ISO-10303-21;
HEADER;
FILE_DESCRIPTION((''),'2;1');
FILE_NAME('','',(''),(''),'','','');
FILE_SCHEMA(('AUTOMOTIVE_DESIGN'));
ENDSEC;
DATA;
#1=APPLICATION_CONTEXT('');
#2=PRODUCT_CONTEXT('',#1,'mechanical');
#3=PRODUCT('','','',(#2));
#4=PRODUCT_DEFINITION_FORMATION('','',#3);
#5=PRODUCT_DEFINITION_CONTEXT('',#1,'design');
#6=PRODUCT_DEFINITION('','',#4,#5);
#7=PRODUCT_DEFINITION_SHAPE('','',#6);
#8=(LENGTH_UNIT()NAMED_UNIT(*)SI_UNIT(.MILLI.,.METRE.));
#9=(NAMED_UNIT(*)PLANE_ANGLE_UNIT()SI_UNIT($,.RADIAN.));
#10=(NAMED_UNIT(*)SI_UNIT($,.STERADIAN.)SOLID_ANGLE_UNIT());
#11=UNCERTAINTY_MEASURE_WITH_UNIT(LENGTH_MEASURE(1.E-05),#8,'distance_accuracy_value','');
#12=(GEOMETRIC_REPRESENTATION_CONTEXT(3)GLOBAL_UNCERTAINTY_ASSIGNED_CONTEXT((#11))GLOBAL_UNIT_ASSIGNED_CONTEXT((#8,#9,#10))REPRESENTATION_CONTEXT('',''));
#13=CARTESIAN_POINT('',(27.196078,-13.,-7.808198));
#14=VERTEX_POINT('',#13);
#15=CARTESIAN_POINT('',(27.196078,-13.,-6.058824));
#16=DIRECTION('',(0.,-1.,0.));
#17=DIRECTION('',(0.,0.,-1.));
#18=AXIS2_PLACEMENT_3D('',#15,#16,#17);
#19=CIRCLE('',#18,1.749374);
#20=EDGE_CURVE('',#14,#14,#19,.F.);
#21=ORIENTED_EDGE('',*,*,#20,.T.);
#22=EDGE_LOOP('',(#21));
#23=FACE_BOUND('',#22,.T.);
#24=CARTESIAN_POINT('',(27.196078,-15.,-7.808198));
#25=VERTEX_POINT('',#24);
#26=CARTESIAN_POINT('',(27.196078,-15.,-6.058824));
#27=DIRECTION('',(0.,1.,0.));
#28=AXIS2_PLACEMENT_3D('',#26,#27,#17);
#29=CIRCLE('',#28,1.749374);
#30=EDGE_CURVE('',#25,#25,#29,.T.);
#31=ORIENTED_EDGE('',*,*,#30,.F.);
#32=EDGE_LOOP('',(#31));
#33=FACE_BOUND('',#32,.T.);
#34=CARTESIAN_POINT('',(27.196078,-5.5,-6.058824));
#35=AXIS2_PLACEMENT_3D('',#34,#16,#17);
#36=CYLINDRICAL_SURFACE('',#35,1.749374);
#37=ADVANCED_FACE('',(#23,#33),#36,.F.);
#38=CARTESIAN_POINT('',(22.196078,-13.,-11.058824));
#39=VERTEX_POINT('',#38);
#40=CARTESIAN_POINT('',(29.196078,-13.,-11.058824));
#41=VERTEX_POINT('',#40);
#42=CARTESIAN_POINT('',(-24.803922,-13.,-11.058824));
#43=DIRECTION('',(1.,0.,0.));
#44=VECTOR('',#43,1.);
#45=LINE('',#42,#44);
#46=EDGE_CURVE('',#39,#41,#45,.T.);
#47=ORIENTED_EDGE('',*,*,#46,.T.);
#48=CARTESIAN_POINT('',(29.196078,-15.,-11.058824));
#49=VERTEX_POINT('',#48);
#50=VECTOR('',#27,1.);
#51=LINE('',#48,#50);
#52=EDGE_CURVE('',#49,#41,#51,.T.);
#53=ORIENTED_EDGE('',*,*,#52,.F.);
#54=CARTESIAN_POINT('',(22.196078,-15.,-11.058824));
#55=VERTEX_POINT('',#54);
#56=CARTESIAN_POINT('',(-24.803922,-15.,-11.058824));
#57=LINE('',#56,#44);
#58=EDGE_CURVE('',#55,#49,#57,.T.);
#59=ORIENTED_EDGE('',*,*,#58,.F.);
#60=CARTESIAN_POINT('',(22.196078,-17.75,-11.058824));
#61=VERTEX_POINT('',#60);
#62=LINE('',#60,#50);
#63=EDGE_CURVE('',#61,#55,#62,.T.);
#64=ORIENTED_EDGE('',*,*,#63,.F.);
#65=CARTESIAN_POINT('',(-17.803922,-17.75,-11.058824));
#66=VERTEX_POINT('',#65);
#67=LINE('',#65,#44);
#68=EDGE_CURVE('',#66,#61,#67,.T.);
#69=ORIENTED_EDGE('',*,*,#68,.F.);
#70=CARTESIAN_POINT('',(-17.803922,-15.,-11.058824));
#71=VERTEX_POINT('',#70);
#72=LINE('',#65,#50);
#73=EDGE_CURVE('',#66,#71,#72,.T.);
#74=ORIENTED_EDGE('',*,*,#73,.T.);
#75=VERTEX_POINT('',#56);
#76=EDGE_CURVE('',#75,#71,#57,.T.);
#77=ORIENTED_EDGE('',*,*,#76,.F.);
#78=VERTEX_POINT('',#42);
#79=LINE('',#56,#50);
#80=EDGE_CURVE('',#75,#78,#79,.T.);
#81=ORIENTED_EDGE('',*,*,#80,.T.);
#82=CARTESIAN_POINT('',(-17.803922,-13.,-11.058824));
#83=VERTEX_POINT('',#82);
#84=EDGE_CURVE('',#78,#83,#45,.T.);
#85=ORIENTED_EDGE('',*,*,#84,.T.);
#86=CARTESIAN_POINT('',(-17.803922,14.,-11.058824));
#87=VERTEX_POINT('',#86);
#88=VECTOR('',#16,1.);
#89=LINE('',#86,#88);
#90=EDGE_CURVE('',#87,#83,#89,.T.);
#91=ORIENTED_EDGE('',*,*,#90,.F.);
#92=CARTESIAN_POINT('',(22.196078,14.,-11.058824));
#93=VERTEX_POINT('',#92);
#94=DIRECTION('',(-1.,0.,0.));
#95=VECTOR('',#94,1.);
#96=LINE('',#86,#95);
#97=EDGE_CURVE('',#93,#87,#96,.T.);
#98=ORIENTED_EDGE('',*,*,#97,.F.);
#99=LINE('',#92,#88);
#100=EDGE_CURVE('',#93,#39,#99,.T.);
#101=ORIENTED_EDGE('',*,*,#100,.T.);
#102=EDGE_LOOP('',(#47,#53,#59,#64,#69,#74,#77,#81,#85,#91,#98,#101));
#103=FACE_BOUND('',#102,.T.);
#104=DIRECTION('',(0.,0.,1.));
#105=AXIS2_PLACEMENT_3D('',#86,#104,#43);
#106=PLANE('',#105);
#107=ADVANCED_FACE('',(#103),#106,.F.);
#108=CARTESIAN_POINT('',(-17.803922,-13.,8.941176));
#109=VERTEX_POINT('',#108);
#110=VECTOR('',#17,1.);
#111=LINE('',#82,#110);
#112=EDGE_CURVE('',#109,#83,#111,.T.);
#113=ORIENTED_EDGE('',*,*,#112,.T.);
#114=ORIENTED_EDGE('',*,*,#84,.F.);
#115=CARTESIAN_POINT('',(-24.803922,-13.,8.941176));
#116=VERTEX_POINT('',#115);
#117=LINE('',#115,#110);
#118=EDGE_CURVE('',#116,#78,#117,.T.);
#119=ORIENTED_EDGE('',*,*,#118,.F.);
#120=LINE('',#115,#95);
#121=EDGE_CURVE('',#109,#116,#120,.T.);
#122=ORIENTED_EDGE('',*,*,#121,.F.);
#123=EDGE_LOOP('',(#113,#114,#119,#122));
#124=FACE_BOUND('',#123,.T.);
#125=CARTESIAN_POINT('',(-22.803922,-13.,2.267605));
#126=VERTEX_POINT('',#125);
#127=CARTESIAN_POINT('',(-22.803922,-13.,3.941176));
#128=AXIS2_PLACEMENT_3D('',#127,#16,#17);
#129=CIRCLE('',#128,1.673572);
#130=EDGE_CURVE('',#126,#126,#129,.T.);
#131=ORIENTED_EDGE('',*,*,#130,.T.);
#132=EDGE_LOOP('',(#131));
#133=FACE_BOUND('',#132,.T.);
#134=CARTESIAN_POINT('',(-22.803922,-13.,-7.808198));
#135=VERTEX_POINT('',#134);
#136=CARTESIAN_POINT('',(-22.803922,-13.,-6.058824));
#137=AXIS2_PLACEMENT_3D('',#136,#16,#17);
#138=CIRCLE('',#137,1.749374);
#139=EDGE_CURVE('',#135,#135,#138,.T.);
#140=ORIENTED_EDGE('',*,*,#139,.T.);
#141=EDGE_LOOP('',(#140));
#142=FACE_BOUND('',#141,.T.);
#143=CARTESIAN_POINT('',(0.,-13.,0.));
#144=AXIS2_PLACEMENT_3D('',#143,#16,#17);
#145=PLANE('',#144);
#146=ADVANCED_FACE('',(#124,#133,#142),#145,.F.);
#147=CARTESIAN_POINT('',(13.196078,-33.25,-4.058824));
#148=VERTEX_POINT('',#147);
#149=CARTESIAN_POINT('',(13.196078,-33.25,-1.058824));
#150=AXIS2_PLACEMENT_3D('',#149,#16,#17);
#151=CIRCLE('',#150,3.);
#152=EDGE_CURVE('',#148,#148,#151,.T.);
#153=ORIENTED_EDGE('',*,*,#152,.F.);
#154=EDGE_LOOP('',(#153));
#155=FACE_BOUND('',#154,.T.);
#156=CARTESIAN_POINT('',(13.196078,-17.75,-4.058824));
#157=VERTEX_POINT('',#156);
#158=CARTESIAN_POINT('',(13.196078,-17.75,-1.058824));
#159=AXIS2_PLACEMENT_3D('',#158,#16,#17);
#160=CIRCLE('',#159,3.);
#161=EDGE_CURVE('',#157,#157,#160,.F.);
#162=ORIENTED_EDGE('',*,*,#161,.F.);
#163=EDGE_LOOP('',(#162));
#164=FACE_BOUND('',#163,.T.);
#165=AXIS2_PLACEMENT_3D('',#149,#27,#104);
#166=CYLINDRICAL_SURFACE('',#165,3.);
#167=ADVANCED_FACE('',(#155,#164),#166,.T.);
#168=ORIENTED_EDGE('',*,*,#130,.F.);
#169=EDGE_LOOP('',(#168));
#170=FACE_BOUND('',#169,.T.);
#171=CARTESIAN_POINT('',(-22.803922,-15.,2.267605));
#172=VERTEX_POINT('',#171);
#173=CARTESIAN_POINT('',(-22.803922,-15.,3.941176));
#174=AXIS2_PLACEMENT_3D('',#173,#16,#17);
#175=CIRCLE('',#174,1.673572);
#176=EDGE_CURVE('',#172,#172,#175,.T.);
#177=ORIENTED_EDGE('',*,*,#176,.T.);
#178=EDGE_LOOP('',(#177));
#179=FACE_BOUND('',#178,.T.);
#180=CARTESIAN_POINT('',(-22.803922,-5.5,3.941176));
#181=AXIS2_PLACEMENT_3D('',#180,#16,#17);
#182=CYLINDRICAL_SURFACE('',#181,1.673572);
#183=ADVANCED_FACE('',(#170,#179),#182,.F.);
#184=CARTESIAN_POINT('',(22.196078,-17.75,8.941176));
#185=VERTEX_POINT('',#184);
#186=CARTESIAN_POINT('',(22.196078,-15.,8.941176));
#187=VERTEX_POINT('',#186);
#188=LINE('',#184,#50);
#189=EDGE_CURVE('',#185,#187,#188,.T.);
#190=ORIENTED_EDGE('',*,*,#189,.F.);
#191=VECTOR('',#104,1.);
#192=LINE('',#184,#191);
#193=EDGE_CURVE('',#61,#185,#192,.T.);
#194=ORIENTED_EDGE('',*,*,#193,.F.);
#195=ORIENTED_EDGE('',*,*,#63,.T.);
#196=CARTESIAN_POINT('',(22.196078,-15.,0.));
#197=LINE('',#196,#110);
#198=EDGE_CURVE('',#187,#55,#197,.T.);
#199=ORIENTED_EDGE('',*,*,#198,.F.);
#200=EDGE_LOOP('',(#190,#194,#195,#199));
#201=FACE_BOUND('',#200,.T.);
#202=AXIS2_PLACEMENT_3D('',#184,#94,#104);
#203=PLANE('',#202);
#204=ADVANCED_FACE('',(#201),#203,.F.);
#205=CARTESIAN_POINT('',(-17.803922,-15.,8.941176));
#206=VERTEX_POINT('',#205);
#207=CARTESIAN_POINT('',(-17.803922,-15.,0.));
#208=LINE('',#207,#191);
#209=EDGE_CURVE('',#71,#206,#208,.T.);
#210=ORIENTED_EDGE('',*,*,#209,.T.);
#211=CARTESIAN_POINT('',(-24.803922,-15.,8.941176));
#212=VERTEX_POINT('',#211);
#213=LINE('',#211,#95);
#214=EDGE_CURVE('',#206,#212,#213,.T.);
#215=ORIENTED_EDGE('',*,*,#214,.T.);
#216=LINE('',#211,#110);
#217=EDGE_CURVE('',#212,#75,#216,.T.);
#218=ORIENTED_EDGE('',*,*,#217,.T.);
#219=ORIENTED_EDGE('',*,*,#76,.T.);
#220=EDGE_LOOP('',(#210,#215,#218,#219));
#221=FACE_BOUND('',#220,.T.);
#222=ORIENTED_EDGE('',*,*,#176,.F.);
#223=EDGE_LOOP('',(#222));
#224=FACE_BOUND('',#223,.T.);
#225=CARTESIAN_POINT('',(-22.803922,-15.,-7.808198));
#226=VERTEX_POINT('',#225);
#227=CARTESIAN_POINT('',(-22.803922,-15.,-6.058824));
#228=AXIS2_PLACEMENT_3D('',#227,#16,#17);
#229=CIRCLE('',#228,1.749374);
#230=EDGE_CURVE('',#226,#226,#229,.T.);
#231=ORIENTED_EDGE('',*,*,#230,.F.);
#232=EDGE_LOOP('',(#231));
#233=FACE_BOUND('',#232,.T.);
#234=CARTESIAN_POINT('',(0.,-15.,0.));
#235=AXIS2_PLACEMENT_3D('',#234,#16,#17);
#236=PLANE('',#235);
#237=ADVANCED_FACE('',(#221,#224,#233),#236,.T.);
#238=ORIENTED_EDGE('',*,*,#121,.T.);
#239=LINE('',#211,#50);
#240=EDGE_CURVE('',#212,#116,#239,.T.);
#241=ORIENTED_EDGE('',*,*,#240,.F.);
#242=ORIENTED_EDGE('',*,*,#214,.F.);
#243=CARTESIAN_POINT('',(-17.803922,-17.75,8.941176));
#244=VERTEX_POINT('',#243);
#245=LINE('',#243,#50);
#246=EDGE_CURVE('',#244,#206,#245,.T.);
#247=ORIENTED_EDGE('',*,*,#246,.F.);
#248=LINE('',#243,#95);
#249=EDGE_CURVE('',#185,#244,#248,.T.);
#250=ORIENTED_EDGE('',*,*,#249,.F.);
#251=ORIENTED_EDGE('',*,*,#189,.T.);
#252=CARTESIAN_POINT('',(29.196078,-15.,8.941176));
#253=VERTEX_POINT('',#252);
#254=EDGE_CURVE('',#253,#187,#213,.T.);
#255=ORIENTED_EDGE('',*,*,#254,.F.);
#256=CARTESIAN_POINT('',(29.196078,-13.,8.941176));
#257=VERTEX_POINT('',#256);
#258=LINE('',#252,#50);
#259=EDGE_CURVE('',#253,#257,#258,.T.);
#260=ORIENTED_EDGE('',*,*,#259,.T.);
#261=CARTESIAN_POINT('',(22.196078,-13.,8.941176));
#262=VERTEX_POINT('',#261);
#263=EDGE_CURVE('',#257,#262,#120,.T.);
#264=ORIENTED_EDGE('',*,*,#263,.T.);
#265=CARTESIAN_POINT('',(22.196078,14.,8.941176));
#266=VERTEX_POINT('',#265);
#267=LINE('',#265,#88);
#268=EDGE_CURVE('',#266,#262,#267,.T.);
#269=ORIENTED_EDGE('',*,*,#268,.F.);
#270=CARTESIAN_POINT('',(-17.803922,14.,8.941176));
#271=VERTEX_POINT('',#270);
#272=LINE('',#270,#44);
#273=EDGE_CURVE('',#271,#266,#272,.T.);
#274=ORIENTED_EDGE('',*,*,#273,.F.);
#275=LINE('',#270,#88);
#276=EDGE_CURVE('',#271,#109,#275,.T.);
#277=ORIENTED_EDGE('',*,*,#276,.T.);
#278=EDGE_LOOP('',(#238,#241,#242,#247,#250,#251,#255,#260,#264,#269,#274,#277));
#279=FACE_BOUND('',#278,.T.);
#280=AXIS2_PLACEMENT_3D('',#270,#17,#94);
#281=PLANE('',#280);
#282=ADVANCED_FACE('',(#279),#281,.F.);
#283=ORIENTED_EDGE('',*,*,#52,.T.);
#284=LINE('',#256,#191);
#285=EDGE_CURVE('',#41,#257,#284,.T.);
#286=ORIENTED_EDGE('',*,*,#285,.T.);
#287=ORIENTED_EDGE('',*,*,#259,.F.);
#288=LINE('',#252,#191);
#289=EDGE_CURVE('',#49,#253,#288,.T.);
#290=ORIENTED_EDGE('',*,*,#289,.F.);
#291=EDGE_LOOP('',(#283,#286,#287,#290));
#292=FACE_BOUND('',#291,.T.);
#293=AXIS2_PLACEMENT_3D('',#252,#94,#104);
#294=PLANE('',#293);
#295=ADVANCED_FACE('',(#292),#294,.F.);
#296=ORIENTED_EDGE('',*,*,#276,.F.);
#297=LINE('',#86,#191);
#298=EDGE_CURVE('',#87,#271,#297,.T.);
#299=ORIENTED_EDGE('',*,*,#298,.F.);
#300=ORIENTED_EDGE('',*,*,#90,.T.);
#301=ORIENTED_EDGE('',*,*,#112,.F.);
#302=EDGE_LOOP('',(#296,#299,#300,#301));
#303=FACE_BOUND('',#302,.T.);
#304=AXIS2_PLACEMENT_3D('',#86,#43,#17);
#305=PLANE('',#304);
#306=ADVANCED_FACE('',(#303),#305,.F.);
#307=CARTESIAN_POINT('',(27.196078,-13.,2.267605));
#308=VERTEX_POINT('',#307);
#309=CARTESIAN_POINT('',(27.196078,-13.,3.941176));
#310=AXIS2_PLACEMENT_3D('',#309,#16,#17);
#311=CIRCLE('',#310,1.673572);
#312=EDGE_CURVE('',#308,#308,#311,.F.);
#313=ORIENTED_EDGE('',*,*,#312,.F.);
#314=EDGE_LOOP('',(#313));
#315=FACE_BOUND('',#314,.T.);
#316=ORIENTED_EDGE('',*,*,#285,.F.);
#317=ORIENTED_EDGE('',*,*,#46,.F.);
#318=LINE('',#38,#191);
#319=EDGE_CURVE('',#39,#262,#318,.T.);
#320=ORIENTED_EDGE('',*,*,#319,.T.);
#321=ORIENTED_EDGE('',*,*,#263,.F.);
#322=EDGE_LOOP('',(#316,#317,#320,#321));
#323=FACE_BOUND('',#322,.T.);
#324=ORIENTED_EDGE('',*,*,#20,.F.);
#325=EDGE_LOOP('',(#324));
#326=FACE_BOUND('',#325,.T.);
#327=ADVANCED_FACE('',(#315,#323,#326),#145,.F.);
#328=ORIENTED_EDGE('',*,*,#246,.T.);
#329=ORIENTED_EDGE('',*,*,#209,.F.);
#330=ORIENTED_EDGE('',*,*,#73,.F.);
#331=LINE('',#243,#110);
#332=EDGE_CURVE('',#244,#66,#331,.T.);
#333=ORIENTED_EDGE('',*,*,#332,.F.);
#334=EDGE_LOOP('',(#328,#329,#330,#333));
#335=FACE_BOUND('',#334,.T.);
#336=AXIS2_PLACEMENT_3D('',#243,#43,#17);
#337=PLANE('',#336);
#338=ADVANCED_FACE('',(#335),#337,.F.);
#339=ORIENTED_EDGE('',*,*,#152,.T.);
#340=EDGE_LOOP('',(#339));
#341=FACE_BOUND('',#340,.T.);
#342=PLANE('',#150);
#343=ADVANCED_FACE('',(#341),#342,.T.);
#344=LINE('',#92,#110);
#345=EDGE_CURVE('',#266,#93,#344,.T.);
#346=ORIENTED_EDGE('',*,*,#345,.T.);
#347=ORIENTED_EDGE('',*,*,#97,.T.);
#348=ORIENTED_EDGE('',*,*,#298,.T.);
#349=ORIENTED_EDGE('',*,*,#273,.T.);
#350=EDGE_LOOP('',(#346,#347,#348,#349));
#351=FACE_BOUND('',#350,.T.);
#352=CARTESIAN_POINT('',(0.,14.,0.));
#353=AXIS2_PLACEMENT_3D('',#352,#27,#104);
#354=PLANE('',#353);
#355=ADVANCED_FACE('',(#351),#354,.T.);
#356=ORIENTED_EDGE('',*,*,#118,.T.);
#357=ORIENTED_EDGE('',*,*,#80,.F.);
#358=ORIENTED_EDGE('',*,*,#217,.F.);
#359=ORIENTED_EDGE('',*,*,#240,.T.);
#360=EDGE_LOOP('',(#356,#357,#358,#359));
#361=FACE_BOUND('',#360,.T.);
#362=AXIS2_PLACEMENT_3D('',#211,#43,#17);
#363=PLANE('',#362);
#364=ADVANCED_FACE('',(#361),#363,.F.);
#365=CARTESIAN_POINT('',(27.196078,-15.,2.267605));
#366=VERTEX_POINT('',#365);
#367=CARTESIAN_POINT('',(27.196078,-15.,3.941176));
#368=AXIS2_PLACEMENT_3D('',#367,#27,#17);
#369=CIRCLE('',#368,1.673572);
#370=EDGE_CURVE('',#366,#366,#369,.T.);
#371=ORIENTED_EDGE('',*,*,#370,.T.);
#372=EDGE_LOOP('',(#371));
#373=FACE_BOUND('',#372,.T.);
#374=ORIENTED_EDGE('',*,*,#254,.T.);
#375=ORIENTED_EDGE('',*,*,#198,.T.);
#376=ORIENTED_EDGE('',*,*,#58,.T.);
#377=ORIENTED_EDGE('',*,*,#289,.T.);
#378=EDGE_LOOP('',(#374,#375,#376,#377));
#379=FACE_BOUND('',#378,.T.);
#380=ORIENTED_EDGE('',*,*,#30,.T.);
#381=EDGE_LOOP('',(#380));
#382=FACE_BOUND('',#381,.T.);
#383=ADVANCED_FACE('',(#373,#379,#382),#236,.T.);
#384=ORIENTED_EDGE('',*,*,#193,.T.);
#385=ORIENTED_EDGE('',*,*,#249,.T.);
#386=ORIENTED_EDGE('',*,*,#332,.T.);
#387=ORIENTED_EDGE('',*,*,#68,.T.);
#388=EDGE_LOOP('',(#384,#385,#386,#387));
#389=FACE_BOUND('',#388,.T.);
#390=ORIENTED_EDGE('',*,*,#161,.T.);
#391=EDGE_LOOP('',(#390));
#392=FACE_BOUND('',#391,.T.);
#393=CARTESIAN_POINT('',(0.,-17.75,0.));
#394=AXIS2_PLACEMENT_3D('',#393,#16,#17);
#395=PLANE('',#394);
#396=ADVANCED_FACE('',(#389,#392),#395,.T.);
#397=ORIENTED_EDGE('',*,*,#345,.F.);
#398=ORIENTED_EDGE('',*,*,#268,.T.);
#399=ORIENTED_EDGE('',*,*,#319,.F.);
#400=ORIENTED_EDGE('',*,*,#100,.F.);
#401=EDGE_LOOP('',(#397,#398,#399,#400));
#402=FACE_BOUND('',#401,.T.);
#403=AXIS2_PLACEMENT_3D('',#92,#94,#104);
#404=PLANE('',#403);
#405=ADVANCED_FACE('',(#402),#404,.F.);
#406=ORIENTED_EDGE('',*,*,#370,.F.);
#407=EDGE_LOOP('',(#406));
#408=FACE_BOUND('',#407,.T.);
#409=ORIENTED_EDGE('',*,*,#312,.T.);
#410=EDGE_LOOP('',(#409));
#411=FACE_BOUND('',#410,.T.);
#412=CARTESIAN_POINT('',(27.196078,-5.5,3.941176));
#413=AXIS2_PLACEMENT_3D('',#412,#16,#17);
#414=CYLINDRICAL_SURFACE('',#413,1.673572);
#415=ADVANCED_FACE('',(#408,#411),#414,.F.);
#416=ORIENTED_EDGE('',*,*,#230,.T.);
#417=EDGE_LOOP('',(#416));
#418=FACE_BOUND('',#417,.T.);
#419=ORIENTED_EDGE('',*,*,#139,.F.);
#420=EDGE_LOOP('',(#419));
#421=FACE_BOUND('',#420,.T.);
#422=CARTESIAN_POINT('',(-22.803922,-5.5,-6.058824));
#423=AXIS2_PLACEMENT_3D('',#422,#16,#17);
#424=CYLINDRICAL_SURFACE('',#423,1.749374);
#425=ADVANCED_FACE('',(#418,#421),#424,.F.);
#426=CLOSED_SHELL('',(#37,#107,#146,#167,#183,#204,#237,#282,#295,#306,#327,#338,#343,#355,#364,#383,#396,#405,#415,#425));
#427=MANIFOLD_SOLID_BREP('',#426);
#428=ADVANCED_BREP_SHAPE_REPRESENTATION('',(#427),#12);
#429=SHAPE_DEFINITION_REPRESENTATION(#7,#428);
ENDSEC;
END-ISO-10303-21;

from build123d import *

# Parameters (mm, degrees)
SKETCH1_W           = 40
SKETCH1_H           = 20
BOSS_EXTRUDE1_DEPTH = 14
SKETCH2_W           = 54
SKETCH2_H           = 20
BOSS_EXTRUDE2_DEPTH = 1
SKETCH3_W           = 40
SKETCH3_H           = 20
BOSS_EXTRUDE3_DEPTH = 2.75
SKETCH4_R           = 3
BOSS_EXTRUDE4_DEPTH = 15.5
SKETCH5_R           = 1.673571511
SKETCH5_R_2         = 1.749374088
CUT_EXTRUDE3_DEPTH  = 9.5


with BuildPart() as part:
    # Sketch1 → Boss-Extrude1 (new, symmetric)
    with BuildSketch(Plane(origin=(0, 0, 0), x_dir=(1, 0, 0), z_dir=(0, 1, 0))):
        with Locations((2.196078431, 1.058823529)):
            Rectangle(SKETCH1_W, SKETCH1_H)
    extrude(amount=BOSS_EXTRUDE1_DEPTH, both=True)

    # Sketch2 → Boss-Extrude2 (add, symmetric)
    with BuildSketch(Plane.XZ.offset(14)):
        with Locations((2.196078431, -1.058823529)):
            Rectangle(SKETCH2_W, SKETCH2_H)
    extrude(amount=BOSS_EXTRUDE2_DEPTH, both=True)

    # Sketch3 → Boss-Extrude3 (add, symmetric)
    with BuildSketch(Plane.XZ.offset(15)):
        with Locations((2.196078431, -1.058823529)):
            Rectangle(SKETCH3_W, SKETCH3_H)
    extrude(amount=BOSS_EXTRUDE3_DEPTH, both=True)

    # Sketch4 → Boss-Extrude4 (add, symmetric)
    with BuildSketch(Plane.XZ.offset(17.75)):
        with Locations(Location((13.196078431, -1.058823529, 0), (0, 0, 270))):
            Circle(SKETCH4_R)
    extrude(amount=BOSS_EXTRUDE4_DEPTH, both=True)

    # Sketch5 → Cut-Extrude3 (cut)
    with BuildSketch(Plane.XZ.offset(15)):
        with Locations(Location((-22.803921569, 3.941176471, 0), (0, 0, 270))):
            Circle(SKETCH5_R)
        with Locations(Location((-22.803921569, -6.058823529, 0), (0, 0, 270))):
            Circle(SKETCH5_R_2)
    cut_extrude3 = extrude(amount=-CUT_EXTRUDE3_DEPTH, mode=Mode.SUBTRACT)

    # Mirror1: Cut-Extrude3 across plane
    add(cut_extrude3.mirror(Plane.ZY.offset(-2.196078431)), mode=Mode.SUBTRACT)


solid = part.part
